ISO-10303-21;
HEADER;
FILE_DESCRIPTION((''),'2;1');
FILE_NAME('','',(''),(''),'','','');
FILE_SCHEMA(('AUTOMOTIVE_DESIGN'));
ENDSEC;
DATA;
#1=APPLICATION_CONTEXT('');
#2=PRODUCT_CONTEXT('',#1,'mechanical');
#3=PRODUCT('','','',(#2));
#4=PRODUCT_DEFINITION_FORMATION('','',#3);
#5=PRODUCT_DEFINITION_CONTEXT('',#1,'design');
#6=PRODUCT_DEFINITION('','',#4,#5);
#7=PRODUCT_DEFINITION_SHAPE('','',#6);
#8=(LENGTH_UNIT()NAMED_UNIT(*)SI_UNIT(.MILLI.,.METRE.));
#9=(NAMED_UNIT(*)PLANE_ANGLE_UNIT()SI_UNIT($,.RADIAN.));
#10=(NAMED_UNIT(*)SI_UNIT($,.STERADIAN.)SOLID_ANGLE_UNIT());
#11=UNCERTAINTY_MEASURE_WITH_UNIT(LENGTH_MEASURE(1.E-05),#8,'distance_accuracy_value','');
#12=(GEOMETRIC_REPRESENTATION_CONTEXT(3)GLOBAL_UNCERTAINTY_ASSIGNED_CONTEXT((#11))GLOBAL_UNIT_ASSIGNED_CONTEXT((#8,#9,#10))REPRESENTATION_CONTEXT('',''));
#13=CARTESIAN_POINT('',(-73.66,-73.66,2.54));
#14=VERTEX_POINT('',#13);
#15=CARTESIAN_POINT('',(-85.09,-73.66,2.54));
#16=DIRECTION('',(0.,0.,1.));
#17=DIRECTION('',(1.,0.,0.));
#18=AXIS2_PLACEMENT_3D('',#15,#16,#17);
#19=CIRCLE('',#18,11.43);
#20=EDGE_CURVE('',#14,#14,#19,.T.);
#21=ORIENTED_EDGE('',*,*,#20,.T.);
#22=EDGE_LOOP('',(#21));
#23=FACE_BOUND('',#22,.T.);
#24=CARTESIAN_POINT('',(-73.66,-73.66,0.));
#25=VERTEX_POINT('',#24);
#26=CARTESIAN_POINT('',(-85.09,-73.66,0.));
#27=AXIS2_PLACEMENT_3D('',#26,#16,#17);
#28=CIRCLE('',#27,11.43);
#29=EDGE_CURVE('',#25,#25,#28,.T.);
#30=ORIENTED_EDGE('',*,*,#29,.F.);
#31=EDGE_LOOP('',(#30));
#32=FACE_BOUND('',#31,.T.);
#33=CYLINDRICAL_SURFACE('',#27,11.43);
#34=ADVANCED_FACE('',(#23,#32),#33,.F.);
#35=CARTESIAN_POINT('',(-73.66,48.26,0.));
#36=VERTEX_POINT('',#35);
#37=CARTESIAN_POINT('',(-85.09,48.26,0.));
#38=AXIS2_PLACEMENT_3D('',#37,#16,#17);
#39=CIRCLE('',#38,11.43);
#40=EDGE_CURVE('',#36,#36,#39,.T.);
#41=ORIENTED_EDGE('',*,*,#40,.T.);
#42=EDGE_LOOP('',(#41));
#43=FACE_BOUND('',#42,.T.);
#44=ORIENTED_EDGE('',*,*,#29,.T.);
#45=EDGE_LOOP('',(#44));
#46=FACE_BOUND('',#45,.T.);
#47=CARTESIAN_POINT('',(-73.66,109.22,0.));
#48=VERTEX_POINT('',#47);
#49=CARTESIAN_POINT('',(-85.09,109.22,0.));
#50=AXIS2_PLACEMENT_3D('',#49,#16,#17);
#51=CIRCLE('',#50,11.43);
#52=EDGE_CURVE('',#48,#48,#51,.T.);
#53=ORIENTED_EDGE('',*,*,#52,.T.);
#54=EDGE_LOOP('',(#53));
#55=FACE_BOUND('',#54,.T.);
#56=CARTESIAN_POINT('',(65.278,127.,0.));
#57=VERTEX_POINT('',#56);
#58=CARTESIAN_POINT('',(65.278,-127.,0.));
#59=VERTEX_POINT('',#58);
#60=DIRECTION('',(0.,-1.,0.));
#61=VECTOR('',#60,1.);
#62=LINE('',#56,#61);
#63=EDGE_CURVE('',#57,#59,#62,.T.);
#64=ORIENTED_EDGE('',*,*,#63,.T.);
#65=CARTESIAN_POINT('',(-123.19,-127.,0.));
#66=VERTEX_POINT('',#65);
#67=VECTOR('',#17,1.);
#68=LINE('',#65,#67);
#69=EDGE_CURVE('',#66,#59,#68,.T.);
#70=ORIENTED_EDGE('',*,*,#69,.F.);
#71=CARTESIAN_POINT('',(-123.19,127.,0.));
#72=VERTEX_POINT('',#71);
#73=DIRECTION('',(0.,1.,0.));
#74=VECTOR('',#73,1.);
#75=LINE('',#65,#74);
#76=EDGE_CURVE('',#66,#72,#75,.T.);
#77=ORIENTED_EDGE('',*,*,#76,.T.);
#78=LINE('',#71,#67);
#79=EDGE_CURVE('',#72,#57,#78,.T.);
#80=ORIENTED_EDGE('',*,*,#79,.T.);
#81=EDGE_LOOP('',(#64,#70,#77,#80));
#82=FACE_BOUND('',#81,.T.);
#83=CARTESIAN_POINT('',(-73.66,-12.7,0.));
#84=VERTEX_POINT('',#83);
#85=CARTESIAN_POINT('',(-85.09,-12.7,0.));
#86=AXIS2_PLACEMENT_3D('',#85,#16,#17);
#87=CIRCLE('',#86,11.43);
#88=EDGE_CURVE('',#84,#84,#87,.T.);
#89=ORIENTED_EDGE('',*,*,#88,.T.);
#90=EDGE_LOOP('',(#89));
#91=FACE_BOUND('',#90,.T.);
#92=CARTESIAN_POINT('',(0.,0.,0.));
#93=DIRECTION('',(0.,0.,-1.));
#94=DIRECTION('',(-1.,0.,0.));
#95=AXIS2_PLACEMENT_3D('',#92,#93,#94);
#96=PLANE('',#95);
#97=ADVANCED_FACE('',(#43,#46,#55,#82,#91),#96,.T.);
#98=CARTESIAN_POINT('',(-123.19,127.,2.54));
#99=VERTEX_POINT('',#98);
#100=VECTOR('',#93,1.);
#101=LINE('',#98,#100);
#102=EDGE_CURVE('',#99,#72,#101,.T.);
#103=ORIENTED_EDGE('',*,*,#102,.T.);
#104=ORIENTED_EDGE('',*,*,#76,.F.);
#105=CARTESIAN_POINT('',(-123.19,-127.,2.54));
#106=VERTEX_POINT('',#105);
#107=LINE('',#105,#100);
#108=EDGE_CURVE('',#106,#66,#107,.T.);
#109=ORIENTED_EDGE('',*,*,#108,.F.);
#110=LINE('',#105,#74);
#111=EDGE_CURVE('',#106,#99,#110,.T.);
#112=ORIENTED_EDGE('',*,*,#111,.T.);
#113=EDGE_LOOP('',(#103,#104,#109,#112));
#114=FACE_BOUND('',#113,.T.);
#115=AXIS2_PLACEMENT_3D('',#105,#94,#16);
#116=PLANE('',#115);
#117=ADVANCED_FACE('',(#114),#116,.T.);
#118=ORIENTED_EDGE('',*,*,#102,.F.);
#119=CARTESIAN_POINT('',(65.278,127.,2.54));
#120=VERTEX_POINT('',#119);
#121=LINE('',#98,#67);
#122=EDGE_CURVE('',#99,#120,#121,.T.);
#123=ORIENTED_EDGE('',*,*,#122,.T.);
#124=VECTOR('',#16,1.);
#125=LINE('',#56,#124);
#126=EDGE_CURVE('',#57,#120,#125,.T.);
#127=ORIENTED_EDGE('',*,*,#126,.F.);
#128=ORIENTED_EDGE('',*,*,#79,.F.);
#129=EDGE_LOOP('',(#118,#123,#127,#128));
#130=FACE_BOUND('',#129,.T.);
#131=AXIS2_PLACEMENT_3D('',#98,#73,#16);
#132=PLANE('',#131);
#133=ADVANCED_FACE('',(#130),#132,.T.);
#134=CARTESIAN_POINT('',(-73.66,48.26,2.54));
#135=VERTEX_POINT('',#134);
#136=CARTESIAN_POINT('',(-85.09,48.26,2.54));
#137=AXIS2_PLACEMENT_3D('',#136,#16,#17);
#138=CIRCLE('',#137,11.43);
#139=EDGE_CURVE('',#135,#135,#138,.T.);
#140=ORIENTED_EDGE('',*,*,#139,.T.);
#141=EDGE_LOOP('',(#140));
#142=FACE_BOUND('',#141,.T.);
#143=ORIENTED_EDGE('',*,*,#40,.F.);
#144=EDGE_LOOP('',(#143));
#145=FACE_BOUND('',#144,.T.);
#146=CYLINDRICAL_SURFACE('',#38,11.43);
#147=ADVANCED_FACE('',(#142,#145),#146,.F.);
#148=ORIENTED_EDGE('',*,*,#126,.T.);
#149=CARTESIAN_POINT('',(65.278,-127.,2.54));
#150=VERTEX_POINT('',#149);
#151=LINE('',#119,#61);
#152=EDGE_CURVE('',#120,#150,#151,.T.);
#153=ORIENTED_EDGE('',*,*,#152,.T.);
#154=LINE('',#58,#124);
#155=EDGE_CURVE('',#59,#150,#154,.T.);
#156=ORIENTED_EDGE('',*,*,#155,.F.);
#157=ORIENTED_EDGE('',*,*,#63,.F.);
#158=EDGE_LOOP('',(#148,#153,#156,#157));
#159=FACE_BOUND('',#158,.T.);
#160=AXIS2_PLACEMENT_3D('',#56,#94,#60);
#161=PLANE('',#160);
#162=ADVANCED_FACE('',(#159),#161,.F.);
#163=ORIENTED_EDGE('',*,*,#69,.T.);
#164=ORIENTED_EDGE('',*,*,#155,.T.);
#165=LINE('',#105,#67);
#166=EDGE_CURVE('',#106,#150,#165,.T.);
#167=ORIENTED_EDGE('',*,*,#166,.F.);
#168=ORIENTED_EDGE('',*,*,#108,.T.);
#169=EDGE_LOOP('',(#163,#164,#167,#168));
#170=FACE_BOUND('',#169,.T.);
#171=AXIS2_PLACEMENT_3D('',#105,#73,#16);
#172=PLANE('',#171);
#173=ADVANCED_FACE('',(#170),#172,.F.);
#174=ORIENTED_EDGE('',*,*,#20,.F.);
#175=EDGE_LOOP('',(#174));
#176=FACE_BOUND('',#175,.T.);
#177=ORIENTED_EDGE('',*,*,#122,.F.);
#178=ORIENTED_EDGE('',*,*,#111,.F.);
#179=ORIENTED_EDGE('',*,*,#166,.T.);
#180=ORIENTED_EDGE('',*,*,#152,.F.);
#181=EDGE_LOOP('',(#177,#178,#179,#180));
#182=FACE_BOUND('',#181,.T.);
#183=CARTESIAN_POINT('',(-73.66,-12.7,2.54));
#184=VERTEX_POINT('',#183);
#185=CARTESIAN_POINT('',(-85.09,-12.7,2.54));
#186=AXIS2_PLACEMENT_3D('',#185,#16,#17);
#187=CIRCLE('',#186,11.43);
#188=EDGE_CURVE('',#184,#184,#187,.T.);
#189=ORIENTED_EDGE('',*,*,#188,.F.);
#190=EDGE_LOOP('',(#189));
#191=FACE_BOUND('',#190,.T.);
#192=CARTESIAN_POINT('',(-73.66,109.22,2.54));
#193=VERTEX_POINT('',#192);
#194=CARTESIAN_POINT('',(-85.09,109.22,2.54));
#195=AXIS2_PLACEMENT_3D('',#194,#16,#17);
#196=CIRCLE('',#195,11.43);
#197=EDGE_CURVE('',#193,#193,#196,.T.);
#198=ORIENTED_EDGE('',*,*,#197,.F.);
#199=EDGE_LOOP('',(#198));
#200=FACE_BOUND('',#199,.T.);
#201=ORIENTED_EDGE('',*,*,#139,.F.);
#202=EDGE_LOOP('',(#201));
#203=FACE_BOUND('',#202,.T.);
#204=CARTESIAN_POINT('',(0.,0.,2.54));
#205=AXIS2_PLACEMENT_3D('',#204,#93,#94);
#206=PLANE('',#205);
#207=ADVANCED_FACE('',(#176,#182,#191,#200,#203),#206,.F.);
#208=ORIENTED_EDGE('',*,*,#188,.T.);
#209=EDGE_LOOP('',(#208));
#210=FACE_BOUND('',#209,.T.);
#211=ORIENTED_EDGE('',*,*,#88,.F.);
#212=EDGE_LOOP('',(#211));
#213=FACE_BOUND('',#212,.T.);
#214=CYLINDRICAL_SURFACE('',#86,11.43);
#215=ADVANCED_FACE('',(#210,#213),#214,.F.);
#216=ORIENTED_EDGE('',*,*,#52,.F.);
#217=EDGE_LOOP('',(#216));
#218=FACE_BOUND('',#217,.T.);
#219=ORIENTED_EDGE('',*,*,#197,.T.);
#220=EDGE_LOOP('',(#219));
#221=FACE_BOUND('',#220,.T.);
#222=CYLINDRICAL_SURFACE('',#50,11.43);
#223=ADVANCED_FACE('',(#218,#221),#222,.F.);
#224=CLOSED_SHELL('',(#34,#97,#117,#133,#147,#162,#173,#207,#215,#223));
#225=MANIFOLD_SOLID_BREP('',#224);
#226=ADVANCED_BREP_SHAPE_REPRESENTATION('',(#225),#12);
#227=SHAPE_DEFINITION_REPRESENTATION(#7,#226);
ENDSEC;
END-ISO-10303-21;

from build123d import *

# Parameters (mm, degrees)
SKETCH1_W           = 246.38
SKETCH1_H           = 254
BOSS_EXTRUDE1_DEPTH = 2.54
SKETCH3_R           = 11.43
CUT_EXTRUDE1_DEPTH  = 3.54
LPATTERN1_COUNT     = 4
LPATTERN1_PITCH     = 60.96
SKETCH4_W           = 57.912
SKETCH4_H           = 254
CUT_EXTRUDE2_DEPTH  = 3.54


with BuildPart() as part:
    # Sketch1 → Boss-Extrude1 (new body)
    with BuildSketch(Plane.XY):
        Rectangle(SKETCH1_W, SKETCH1_H)
    extrude(amount=BOSS_EXTRUDE1_DEPTH)

    # Sketch3 → Cut-Extrude1 (cut, through all)
    with BuildSketch(Plane.XY.offset(2.54)):
        with Locations((-85.09, 109.22)):
            Circle(SKETCH3_R)
    cut_extrude1 = extrude(amount=-CUT_EXTRUDE1_DEPTH, mode=Mode.SUBTRACT)

    # LPattern1: Cut-Extrude1 ×4
    with Locations(*[(0, -i * LPATTERN1_PITCH, 0) for i in range(1, LPATTERN1_COUNT)]):
        add(cut_extrude1, mode=Mode.SUBTRACT)

    # Sketch4 → Cut-Extrude2 (cut, through all)
    with BuildSketch(Plane.XY.offset(2.54)):
        with Locations((94.234, 0)):
            Rectangle(SKETCH4_W, SKETCH4_H)
    extrude(amount=-CUT_EXTRUDE2_DEPTH, mode=Mode.SUBTRACT)


solid = part.part
